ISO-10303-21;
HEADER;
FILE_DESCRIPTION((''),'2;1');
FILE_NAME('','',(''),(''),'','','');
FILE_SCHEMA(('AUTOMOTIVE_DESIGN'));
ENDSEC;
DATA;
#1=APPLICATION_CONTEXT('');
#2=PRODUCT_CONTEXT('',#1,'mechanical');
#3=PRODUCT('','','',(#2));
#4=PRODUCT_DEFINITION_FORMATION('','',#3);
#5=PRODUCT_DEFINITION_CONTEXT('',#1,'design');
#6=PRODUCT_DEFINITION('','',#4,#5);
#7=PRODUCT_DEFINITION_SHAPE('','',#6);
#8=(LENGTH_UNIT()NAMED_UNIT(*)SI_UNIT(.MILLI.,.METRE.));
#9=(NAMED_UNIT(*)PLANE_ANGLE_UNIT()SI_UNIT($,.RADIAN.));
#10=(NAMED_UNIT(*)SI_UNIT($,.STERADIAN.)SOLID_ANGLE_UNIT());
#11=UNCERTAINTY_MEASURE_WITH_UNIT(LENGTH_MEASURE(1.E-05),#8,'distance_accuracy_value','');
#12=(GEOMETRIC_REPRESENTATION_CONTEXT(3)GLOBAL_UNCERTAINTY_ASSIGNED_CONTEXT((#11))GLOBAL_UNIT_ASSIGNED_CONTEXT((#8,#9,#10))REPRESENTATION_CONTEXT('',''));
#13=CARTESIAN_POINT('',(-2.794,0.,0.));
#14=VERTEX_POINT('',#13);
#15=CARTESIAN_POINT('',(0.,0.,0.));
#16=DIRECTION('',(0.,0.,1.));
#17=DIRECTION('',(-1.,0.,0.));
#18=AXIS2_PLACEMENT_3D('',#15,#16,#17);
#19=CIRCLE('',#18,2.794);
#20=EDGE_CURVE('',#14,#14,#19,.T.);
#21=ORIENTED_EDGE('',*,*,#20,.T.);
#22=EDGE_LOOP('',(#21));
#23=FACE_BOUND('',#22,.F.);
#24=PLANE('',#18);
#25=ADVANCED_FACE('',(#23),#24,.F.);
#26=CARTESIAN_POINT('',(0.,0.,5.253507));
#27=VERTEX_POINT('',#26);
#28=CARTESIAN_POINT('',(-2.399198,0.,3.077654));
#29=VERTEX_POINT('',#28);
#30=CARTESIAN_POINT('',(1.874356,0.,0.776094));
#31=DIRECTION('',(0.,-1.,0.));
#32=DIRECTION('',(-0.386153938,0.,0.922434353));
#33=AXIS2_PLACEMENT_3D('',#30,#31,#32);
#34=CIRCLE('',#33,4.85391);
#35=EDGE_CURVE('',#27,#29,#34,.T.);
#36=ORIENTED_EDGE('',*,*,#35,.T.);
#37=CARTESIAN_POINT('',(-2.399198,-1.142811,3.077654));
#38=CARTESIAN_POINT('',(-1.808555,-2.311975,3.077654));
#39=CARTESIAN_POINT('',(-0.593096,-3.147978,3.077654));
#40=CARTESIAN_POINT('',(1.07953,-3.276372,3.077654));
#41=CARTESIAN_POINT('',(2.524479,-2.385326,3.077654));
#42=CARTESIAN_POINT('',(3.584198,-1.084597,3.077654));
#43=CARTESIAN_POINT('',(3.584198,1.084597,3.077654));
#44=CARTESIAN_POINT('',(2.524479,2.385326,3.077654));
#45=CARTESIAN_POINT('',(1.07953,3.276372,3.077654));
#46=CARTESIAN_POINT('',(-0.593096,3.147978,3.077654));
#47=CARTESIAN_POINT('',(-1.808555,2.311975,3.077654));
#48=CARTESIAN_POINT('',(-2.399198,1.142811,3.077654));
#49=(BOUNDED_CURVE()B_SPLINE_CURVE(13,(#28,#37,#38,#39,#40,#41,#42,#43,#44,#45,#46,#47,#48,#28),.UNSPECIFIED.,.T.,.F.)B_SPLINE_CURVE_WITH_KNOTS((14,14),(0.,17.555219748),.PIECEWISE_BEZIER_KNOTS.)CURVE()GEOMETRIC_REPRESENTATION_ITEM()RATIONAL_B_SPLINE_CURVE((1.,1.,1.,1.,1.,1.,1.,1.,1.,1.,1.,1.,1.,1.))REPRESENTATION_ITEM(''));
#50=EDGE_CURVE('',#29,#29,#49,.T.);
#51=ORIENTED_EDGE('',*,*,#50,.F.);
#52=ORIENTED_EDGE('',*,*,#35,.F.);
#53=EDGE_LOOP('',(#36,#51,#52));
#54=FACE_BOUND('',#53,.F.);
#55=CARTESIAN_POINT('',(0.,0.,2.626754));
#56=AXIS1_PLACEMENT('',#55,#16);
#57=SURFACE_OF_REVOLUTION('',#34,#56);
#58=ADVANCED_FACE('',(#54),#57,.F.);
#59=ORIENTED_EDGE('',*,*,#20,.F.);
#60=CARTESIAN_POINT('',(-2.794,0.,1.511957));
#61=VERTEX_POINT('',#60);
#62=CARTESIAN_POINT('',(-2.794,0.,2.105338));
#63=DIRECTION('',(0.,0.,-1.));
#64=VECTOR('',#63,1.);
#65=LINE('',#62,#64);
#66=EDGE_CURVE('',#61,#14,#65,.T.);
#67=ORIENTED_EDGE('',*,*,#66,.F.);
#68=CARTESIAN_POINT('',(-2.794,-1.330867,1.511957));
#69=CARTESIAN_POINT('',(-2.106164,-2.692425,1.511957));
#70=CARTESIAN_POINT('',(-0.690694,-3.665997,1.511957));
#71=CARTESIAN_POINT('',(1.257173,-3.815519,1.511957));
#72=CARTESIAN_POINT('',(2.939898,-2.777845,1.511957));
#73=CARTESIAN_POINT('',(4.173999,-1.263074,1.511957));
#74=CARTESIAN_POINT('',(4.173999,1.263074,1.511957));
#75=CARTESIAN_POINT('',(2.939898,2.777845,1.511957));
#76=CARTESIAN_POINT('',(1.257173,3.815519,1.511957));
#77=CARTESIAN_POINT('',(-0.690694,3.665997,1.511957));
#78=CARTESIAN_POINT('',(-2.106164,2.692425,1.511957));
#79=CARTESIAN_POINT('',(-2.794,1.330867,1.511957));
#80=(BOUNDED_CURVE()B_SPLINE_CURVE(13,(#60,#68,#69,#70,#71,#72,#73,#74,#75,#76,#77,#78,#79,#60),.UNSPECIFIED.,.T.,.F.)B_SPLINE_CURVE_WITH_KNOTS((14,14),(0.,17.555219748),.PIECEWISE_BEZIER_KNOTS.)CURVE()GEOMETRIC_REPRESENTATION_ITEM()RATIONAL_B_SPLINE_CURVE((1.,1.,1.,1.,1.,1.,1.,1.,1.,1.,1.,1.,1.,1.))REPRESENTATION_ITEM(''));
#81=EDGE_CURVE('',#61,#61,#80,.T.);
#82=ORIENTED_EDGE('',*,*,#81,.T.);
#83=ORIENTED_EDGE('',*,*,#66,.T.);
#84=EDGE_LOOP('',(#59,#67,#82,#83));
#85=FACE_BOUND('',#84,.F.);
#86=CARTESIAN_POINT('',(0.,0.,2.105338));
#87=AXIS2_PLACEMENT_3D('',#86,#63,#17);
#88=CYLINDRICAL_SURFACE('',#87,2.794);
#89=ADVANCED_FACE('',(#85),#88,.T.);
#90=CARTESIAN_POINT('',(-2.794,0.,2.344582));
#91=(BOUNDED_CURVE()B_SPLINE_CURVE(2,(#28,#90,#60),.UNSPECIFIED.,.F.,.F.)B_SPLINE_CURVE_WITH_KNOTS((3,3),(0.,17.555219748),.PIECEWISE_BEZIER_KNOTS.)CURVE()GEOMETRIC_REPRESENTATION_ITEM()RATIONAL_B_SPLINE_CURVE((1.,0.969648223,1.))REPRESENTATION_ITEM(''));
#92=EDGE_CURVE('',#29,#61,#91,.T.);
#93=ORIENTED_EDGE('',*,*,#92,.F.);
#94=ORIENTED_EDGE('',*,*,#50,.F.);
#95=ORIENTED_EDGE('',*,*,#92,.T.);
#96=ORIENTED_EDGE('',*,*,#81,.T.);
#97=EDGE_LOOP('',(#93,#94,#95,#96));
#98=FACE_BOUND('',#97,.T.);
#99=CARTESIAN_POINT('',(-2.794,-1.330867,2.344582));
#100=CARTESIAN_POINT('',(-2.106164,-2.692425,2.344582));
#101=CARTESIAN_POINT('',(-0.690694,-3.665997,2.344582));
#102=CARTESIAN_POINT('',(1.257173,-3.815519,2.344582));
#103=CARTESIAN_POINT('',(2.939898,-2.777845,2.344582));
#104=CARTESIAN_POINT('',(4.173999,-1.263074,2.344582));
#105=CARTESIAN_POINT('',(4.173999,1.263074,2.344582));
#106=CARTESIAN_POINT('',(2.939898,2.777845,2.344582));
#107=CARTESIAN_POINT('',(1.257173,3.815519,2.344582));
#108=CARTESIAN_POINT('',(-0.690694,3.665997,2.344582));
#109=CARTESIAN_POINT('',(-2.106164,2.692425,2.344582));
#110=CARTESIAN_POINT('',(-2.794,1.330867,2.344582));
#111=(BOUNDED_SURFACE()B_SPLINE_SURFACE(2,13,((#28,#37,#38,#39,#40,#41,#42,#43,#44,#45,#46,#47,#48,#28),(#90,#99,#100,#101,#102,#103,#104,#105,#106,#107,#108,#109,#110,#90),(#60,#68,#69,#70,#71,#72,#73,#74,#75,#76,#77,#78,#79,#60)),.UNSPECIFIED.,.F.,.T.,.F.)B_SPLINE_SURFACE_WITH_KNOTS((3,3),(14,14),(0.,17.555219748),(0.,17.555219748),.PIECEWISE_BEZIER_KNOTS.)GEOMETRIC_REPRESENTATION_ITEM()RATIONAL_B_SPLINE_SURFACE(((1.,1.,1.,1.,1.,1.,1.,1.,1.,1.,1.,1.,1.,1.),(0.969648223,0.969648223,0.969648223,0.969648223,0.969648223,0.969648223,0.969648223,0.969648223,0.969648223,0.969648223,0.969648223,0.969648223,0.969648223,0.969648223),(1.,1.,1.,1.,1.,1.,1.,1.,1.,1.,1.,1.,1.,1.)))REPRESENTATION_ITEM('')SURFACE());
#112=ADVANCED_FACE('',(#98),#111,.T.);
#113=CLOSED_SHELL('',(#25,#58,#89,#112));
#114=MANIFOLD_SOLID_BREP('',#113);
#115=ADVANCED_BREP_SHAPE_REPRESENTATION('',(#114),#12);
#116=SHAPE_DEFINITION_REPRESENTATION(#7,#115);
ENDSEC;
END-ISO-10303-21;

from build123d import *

# Parameters (mm, degrees)
F2_R = 3.302


with BuildPart() as f1:
    # F0 (on Front) → F1 (revolve)
    with BuildSketch(Plane.XZ):
        with BuildLine():
            Line((-2.794, 0), (0, 0))
            Line((0, 0), (0, 5.253507))
            ThreePointArc((0, 5.253507), (-1.756004, 3.998038), (-2.794, 2.105338))
            Line((-2.794, 2.105338), (-2.794, 0))
        make_face()
    revolve(axis=Axis((0, 0, 2.626754), (0, 0, 1)))

    # F2
    f2_edges = [f1.edges().sort_by_distance(p)[0] for p in [
        (2.794, 0, 2.105338),
    ]]
    fillet(f2_edges, radius=F2_R)


solid = f1.part
